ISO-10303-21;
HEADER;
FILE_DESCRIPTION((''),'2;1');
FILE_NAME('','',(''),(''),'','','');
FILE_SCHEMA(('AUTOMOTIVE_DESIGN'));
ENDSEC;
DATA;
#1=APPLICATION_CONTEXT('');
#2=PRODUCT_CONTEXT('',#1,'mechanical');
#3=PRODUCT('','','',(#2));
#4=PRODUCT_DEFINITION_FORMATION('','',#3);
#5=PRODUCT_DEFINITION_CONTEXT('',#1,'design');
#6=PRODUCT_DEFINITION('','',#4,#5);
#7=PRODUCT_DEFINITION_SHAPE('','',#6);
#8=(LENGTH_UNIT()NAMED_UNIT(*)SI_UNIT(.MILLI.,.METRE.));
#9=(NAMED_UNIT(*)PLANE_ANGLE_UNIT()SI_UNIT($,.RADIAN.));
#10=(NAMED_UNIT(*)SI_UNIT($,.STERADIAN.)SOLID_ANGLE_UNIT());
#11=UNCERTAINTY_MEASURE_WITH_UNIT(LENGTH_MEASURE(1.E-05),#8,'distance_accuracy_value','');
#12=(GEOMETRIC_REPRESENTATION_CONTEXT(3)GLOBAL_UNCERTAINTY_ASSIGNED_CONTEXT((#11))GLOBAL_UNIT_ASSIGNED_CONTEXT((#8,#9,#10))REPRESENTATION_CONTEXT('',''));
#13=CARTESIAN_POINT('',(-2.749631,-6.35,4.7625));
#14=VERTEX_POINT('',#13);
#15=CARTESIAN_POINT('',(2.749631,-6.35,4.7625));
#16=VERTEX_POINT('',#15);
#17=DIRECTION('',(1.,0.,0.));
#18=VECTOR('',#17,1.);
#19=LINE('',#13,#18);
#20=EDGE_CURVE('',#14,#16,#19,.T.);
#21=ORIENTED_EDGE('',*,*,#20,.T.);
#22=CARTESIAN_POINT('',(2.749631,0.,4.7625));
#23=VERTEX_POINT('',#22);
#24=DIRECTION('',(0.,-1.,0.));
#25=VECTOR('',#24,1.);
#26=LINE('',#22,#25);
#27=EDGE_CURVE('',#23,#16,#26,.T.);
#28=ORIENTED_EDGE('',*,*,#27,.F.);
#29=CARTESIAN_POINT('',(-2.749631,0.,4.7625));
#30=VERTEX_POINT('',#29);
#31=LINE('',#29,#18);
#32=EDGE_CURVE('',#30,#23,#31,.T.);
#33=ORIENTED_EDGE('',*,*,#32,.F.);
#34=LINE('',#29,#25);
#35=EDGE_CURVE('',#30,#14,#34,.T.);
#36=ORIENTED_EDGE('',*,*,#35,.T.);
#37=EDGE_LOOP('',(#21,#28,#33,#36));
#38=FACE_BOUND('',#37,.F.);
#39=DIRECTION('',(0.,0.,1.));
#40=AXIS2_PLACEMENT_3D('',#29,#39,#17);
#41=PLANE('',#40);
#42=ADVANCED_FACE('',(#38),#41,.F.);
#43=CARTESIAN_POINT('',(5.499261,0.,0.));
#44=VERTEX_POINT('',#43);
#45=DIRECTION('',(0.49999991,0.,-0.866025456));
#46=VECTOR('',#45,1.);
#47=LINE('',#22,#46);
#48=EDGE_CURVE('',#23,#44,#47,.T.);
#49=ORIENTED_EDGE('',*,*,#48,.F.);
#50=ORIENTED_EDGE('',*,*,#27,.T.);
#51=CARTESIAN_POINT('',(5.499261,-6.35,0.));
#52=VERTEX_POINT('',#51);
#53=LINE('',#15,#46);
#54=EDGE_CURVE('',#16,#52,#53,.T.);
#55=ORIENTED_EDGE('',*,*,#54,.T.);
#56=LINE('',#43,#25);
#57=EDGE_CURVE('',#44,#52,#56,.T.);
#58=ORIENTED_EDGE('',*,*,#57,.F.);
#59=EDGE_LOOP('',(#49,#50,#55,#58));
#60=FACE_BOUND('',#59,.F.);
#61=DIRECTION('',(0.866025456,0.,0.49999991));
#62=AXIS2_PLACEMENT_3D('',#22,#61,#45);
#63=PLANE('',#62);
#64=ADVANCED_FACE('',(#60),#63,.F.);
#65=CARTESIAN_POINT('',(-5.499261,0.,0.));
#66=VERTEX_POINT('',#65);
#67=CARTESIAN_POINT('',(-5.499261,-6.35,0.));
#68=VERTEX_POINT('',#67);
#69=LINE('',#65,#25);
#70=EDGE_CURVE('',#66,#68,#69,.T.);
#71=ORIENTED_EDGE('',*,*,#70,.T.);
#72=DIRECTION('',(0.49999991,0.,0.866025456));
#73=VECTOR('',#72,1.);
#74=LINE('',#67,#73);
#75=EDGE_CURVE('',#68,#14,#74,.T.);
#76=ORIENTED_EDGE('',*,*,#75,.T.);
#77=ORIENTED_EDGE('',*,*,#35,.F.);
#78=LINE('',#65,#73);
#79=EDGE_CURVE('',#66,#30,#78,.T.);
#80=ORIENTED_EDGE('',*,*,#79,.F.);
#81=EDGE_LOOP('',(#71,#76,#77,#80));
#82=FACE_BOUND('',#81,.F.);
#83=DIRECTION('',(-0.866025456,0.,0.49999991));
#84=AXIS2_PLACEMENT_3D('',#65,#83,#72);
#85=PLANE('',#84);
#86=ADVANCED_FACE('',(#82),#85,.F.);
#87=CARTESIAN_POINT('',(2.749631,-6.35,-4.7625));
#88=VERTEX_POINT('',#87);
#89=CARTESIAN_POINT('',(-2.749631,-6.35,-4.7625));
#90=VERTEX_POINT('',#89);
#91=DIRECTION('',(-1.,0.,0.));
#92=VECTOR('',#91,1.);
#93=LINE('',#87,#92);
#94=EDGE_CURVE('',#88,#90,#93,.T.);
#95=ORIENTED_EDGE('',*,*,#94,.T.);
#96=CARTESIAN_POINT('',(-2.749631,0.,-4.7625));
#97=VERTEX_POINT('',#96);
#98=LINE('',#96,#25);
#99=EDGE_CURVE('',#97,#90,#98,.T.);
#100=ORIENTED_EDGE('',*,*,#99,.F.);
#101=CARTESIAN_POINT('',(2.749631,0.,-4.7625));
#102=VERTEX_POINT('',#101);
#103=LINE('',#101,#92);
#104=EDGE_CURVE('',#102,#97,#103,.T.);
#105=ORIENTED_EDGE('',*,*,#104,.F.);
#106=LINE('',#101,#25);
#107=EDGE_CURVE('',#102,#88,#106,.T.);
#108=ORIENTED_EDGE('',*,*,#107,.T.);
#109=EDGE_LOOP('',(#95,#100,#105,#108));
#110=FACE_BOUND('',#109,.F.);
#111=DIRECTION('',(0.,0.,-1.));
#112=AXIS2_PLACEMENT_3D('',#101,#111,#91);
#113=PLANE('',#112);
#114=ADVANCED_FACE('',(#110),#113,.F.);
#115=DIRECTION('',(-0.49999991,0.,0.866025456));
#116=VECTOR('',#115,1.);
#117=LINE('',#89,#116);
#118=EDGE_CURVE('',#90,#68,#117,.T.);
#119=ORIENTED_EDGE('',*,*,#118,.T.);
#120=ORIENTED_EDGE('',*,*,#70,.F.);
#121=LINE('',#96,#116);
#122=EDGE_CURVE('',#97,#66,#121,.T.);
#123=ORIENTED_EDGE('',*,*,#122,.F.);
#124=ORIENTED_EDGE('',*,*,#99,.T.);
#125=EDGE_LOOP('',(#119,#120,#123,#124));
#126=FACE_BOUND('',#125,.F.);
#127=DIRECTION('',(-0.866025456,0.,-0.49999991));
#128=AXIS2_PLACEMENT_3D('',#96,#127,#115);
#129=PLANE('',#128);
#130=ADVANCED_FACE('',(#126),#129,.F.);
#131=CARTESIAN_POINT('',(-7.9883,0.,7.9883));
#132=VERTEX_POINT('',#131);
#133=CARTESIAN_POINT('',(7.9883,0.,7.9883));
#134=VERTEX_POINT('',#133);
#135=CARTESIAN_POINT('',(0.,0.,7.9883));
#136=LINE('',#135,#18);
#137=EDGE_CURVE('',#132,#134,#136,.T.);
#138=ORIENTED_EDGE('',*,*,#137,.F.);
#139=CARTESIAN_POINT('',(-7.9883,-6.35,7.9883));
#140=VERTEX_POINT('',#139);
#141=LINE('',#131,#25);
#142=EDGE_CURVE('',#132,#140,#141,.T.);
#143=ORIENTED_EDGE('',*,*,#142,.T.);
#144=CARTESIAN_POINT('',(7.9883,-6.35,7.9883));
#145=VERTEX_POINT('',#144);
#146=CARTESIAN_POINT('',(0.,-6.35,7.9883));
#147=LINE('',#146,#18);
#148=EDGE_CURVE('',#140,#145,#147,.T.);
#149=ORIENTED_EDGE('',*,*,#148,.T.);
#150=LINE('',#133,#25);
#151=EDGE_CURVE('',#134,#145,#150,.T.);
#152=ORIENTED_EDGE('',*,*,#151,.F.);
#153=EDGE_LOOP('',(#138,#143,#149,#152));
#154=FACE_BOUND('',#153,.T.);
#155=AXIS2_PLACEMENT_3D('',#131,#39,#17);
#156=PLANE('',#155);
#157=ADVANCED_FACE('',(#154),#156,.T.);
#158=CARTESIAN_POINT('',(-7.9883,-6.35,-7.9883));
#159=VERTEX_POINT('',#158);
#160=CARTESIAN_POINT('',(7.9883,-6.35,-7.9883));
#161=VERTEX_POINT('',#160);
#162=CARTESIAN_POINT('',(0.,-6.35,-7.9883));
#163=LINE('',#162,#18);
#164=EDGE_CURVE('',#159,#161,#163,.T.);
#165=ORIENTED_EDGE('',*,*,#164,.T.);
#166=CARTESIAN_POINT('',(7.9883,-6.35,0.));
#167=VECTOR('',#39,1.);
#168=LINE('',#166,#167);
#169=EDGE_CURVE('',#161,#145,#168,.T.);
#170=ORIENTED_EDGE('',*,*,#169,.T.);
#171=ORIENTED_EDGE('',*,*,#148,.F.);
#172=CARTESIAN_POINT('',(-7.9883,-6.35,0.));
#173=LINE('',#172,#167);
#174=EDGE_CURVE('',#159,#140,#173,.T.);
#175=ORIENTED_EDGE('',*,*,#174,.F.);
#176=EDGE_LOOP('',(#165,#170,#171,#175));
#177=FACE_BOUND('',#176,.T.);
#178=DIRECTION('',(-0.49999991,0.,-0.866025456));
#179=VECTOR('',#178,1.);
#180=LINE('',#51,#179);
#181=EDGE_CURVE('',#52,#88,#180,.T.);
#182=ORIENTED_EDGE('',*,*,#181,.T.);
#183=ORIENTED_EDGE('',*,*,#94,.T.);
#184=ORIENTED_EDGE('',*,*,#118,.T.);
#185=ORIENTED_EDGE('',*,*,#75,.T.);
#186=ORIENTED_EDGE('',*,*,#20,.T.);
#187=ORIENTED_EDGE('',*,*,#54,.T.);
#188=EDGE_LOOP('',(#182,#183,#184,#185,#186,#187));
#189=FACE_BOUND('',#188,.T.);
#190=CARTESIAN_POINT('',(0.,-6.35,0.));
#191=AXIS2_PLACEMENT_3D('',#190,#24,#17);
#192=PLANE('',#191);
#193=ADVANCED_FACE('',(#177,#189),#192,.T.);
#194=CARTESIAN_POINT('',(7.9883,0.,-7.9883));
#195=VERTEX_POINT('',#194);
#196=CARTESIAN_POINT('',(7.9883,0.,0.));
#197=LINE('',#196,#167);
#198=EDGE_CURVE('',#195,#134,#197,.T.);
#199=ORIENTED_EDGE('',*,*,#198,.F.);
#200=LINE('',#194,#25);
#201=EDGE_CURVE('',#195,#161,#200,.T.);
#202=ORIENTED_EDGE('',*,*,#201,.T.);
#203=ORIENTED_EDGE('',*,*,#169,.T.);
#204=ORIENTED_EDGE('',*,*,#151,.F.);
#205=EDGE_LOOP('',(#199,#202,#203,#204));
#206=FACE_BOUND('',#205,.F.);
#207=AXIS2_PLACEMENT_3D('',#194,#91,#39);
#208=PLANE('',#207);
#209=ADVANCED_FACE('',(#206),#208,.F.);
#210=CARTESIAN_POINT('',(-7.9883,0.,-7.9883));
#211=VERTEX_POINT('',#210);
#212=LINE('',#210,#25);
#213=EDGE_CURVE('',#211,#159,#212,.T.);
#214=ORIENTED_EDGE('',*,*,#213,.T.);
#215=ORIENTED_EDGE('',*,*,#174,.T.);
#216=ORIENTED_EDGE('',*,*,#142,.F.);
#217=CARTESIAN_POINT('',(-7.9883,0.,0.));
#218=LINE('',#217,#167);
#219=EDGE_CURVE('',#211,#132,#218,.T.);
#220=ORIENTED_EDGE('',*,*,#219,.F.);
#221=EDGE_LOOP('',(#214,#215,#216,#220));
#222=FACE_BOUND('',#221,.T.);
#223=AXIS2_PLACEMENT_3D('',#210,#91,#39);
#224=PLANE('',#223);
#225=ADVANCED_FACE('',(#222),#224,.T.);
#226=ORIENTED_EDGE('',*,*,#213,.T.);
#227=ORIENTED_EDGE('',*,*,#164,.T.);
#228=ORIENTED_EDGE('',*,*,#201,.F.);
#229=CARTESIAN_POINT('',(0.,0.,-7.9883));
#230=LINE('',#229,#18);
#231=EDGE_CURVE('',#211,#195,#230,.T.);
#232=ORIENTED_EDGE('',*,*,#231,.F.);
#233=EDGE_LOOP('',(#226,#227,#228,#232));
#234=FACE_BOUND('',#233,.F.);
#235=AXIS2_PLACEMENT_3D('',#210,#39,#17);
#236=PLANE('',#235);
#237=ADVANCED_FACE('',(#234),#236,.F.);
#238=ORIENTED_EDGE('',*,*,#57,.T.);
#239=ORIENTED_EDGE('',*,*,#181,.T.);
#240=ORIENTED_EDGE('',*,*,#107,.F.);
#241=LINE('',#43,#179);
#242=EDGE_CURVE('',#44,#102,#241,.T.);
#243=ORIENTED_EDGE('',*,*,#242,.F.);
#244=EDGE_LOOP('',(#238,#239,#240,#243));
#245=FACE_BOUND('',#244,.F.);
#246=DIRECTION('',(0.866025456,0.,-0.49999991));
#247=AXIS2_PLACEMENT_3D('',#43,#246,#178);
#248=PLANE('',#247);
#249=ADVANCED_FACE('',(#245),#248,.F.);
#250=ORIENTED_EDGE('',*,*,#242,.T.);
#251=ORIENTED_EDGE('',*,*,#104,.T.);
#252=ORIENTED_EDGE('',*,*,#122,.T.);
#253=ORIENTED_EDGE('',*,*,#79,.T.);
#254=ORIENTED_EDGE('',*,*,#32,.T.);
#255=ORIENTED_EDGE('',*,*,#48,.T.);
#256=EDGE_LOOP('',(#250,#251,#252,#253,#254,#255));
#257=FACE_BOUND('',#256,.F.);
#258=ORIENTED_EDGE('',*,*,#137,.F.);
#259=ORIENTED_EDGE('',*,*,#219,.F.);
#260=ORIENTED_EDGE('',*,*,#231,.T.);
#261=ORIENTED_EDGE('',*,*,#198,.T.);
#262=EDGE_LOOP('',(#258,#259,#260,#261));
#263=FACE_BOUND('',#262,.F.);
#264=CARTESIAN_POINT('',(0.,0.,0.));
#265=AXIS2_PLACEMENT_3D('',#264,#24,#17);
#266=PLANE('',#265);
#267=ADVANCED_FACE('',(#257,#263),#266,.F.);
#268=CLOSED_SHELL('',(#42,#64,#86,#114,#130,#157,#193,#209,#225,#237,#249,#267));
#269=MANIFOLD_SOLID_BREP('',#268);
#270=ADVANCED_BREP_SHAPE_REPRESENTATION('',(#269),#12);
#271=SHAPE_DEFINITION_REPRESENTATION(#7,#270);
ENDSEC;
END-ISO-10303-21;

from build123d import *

# Parameters (mm, degrees)
F0_W     = 15.9766
F0_H     = 15.9766
F1_DEPTH = 6.35


with BuildPart() as f1:
    # F0 (on Front) → F1 (new body)
    with BuildSketch(Plane.XZ):
        Rectangle(F0_W, F0_H)
        Polygon((-2.749631, -4.7625), (-5.499261, 0), (-2.749631, 4.7625), (2.749631, 4.7625), (5.499261, 0), (2.749631, -4.7625), align=None, mode=Mode.SUBTRACT)
    extrude(amount=F1_DEPTH)


solid = f1.part
